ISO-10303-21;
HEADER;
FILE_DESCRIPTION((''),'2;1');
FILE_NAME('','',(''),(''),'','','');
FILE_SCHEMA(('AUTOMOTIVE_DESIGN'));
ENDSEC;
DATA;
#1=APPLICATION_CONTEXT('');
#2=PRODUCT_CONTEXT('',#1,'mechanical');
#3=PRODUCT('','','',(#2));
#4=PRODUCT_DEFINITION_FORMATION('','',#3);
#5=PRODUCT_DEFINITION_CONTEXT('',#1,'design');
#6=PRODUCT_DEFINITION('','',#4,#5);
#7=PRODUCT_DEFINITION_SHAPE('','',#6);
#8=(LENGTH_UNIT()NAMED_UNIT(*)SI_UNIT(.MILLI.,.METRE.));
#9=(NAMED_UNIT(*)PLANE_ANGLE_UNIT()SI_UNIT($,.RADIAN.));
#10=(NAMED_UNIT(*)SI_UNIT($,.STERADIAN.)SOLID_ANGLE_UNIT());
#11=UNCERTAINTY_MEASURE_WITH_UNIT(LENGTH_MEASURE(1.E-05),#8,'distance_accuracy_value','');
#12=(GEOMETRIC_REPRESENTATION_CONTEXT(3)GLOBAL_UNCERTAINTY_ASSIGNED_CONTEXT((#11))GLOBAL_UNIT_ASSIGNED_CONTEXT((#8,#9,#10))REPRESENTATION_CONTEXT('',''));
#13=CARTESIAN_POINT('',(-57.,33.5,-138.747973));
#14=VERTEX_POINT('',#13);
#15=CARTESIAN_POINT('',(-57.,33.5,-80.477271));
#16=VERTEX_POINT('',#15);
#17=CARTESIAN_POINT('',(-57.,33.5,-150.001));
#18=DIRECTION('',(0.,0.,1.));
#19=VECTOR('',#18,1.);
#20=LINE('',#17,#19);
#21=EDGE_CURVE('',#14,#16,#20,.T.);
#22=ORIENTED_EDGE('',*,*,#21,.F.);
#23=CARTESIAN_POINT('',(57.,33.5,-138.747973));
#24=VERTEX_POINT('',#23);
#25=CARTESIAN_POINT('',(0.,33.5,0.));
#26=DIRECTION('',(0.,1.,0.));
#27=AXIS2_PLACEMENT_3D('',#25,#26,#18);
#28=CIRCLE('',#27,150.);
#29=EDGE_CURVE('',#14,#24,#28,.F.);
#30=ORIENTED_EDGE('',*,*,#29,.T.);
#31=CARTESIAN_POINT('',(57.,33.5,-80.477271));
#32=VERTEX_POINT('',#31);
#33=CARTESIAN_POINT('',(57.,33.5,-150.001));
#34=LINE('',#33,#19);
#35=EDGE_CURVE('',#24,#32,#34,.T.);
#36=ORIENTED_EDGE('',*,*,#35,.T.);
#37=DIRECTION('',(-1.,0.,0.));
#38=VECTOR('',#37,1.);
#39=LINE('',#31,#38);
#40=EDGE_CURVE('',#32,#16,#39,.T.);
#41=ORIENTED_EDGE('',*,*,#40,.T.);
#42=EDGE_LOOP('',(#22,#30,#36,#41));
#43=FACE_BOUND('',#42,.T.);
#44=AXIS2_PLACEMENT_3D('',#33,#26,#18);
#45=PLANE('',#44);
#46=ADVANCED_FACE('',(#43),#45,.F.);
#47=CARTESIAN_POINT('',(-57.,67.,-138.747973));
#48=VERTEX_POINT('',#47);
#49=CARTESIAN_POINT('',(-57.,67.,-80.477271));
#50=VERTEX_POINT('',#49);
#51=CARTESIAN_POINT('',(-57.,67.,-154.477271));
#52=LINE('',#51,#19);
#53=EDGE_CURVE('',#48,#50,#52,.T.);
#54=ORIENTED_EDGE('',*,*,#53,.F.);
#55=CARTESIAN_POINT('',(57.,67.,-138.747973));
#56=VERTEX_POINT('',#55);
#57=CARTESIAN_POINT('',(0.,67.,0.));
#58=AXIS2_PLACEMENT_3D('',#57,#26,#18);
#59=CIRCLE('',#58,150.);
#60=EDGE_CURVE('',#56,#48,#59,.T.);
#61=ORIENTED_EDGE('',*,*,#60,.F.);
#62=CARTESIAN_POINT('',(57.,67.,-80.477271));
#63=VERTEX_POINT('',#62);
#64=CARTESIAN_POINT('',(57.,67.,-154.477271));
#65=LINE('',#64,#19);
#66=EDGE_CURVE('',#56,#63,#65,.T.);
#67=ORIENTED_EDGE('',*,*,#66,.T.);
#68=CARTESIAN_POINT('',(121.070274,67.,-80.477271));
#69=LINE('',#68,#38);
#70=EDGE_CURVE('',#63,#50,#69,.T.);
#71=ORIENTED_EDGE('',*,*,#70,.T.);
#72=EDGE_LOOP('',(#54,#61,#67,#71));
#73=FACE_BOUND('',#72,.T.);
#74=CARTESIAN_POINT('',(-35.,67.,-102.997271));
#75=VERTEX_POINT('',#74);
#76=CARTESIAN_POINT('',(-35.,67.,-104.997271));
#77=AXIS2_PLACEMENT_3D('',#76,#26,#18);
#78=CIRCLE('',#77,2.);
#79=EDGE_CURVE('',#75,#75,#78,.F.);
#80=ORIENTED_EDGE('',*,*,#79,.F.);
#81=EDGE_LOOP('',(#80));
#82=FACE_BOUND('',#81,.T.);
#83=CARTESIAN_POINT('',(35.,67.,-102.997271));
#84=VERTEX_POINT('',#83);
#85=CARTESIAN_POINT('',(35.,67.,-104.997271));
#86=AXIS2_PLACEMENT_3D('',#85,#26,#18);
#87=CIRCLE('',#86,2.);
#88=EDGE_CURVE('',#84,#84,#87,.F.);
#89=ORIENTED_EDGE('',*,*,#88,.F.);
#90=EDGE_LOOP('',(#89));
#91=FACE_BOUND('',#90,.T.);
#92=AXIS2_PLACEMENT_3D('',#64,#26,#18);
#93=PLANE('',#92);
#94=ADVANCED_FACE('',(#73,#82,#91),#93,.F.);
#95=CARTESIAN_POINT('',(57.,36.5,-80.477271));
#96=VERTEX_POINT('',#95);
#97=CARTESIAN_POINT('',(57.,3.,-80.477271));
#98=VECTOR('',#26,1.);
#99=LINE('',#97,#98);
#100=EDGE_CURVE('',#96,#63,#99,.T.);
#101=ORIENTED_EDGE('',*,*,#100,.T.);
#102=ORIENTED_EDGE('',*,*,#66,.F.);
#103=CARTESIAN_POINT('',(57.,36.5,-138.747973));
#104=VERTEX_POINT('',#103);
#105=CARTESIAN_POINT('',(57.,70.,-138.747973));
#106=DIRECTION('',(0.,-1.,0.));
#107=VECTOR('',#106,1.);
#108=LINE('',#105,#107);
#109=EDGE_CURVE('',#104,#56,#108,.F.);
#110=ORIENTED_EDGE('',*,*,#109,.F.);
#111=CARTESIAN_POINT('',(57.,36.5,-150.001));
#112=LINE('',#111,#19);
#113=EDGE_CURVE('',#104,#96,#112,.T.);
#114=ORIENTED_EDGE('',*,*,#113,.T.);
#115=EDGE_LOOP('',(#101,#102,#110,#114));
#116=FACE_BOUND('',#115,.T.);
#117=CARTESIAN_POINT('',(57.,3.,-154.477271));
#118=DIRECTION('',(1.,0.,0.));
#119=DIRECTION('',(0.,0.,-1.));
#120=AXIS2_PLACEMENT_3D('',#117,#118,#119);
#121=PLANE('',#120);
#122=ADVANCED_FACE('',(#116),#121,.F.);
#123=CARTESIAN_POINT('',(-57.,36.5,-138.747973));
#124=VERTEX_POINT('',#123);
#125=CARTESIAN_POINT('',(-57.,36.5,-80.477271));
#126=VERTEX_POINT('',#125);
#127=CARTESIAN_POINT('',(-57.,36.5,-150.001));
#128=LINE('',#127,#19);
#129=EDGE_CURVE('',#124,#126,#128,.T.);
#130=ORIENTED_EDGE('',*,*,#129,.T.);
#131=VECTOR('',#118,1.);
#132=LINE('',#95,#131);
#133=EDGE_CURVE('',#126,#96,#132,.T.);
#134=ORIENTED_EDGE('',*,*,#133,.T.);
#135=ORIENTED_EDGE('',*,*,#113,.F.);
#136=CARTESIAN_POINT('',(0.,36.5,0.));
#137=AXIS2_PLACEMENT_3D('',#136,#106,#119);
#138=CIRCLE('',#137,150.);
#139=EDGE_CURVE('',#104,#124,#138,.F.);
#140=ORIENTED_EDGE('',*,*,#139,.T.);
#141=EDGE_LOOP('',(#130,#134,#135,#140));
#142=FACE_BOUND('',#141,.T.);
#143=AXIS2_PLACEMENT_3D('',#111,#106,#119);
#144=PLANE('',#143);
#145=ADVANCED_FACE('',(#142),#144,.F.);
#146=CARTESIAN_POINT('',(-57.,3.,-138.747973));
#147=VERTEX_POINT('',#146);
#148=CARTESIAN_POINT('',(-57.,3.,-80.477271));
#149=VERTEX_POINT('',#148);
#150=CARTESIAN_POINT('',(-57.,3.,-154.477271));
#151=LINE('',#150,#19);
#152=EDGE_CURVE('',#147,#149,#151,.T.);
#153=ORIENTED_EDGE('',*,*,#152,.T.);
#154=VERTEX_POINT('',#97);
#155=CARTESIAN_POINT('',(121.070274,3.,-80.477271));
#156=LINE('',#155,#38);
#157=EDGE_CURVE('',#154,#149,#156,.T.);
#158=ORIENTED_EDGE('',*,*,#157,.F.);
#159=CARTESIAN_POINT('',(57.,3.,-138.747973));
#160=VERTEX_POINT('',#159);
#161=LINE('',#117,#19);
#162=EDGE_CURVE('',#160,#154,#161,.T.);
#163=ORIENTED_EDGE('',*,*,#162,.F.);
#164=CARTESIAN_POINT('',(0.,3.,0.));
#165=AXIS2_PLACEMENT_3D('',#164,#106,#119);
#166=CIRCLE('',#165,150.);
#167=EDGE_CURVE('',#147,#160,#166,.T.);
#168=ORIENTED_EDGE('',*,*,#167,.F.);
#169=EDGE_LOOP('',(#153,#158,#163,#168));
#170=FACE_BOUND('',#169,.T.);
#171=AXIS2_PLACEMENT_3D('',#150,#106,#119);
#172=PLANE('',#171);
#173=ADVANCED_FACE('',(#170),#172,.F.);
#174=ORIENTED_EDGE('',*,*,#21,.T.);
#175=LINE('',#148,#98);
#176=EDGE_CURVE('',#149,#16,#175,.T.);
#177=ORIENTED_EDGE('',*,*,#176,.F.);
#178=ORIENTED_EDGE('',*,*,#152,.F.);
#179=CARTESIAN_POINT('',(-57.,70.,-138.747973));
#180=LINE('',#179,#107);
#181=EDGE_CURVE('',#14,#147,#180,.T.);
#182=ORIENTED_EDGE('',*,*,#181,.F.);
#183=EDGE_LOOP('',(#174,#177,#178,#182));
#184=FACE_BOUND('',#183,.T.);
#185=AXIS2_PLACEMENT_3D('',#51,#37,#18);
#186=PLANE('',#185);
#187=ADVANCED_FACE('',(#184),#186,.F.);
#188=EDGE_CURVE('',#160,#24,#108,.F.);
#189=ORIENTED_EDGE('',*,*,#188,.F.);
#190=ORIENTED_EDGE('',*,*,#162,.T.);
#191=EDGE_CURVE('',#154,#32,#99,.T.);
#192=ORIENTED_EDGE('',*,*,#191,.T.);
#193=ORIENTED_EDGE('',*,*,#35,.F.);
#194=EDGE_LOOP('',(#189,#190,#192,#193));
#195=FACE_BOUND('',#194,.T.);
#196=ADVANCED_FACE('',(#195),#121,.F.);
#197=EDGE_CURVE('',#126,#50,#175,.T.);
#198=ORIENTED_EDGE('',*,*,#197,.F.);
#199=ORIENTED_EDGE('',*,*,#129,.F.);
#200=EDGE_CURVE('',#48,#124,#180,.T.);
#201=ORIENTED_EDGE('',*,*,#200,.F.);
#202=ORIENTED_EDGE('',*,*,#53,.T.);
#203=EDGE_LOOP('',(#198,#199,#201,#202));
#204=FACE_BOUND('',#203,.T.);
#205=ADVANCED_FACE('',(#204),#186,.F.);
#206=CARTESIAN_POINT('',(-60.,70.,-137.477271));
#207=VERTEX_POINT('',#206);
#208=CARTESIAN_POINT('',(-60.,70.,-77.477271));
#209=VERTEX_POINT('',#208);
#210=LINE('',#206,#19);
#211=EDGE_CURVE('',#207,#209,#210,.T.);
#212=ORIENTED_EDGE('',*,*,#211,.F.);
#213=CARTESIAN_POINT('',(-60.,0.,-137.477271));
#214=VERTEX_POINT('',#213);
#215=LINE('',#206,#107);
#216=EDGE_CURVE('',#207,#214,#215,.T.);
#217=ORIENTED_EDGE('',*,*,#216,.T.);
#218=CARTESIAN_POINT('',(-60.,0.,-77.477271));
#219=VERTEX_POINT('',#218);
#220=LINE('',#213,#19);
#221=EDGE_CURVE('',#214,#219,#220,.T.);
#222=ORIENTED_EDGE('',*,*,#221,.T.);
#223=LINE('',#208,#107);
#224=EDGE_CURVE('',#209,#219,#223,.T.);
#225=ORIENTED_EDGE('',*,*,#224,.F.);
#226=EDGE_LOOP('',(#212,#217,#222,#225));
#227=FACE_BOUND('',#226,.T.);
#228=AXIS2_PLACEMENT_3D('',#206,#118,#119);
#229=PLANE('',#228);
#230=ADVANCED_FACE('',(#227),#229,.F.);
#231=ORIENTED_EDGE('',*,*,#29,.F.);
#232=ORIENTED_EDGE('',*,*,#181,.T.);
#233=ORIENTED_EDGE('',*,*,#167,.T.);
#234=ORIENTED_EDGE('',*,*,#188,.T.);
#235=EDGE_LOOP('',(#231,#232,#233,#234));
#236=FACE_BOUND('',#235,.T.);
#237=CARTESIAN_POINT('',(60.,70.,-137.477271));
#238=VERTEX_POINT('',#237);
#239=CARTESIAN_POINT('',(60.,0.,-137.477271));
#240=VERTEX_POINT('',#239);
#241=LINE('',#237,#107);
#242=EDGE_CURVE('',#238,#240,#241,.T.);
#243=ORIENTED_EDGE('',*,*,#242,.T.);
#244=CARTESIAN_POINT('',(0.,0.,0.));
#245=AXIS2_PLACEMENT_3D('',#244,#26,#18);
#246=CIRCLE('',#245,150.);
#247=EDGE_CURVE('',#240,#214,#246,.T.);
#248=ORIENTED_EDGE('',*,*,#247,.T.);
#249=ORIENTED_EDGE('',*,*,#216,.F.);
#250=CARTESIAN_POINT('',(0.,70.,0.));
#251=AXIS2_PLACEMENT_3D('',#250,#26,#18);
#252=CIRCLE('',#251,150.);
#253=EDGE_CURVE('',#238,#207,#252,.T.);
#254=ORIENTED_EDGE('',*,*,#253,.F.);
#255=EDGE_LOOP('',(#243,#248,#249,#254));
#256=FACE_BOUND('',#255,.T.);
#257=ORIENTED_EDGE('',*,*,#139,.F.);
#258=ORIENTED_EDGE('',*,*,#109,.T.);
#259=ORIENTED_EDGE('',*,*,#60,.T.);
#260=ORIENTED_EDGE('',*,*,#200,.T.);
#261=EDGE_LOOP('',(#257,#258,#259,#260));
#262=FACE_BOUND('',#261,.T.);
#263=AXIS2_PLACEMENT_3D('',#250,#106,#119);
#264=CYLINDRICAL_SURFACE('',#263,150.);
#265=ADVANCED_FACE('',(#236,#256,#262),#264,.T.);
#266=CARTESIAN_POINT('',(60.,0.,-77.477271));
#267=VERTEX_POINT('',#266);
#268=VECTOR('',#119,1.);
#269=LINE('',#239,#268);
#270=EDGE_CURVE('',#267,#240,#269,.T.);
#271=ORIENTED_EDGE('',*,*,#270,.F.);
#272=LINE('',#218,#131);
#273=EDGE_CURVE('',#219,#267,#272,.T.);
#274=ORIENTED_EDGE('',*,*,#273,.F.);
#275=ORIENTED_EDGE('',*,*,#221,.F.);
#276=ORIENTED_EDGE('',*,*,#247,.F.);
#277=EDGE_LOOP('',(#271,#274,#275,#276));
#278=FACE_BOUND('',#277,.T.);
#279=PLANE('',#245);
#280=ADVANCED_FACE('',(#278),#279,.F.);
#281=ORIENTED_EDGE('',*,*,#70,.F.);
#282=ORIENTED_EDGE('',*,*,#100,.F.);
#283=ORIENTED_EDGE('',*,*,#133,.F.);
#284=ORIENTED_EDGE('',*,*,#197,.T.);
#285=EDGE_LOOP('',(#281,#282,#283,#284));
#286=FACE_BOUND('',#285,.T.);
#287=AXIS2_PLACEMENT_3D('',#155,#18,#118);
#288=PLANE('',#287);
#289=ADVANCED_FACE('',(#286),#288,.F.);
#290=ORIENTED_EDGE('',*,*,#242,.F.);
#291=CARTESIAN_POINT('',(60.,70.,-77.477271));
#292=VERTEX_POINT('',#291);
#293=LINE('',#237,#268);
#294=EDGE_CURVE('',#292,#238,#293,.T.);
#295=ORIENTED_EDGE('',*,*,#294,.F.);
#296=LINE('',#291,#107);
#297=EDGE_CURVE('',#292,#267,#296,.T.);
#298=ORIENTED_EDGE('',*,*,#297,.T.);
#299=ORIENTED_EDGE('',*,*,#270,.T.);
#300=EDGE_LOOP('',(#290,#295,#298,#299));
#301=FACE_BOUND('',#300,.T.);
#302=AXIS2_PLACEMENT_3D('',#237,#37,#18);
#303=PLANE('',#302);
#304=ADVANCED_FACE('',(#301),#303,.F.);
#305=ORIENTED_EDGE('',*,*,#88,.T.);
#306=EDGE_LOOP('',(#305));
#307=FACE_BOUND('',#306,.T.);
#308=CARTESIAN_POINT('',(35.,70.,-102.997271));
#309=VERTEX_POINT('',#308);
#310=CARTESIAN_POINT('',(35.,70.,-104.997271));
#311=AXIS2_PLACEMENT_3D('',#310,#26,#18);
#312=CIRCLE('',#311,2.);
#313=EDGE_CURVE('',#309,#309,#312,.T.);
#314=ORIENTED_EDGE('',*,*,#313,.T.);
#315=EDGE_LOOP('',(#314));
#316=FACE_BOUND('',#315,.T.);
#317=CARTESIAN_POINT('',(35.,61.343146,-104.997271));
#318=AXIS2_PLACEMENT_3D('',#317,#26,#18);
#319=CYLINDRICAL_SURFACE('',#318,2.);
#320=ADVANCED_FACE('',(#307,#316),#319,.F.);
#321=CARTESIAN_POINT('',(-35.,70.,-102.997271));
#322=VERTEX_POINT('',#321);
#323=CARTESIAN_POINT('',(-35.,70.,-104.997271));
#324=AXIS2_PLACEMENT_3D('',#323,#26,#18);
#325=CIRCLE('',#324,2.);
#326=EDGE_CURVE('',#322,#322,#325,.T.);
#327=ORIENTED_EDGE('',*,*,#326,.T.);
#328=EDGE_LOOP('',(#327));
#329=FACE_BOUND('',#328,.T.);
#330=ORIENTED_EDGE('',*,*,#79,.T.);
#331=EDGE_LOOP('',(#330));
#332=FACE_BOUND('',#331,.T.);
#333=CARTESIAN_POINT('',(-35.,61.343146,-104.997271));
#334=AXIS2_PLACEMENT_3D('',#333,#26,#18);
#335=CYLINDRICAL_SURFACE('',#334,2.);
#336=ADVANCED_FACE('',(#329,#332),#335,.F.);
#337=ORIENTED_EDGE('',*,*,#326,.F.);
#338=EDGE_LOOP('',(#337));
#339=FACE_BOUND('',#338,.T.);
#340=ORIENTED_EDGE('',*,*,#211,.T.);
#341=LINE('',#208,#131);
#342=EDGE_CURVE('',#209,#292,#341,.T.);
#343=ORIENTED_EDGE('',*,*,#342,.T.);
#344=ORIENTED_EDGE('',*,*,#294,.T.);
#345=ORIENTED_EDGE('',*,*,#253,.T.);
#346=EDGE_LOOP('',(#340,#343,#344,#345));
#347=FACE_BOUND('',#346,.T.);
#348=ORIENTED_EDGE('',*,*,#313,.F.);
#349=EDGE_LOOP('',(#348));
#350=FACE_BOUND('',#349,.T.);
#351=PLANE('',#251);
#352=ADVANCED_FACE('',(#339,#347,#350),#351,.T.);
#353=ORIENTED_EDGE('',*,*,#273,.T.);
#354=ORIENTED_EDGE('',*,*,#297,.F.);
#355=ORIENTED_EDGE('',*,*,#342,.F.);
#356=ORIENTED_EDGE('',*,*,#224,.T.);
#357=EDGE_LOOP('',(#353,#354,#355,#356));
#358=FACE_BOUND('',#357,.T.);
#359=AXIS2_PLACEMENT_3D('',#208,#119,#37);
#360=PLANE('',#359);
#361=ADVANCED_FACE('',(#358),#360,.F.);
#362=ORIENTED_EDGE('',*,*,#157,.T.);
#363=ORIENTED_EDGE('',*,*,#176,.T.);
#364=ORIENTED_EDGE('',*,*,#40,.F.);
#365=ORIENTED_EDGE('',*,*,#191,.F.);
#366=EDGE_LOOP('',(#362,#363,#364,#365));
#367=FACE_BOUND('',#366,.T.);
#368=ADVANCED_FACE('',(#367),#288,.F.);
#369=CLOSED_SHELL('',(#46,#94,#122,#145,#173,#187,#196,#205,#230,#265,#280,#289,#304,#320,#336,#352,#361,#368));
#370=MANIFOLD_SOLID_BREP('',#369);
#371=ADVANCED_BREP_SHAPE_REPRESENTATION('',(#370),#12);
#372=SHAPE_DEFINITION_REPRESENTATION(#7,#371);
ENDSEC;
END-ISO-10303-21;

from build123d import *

# Parameters (mm, degrees)
BOSS_EXTRUDE1_DEPTH      = 70
SKETCH7_W                = 114
SKETCH7_H                = 64
CUT_EXTRUDE2_DEPTH       = 77
SKETCH8_W                = 3
SKETCH8_H                = 64
BOSS_EXTRUDE3_DEPTH      = 114
BOSS_EXTRUDE4_REACH      = 117.47
BOSS_EXTRUDE4_END_RADIUS = 150
SKETCH9_W                = 114
SKETCH9_H                = 3
SKETCH10_R               = 2
CUT_EXTRUDE3_DEPTH       = 3


with BuildPart() as part:
    # Sketch1 → Boss-Extrude1 (new body)
    with BuildSketch(Plane(origin=(0, 0, 0), x_dir=(1, 0, 0), z_dir=(0, 1, 0))):
        with BuildLine():
            Line((-60, 137.477270849), (-60, 77.477270849))
            Line((-60, 77.477270849), (60, 77.477270849))
            Line((60, 77.477270849), (60, 137.477270849))
            ThreePointArc((60, 137.477270849), (0, 150), (-60, 137.477270849))
        make_face()
    extrude(amount=BOSS_EXTRUDE1_DEPTH)

    # Sketch7 → Cut-Extrude2 (cut)
    with BuildSketch(Plane.XY.offset(-77.477270849)):
        with Locations((0, 35)):
            Rectangle(SKETCH7_W, SKETCH7_H)
    extrude(amount=-CUT_EXTRUDE2_DEPTH, mode=Mode.SUBTRACT)

    # Sketch8 → Boss-Extrude3 (add)
    with BuildSketch(Plane(origin=(-57, 0, 0), x_dir=(0, 0, -1), z_dir=(1, 0, 0))):
        with Locations((78.977270849, 35)):
            Rectangle(SKETCH8_W, SKETCH8_H)
    extrude(amount=BOSS_EXTRUDE3_DEPTH)

    # Boss-Extrude4: up to this cylinder (the profile starts inside it)
    boss_extrude4_end = Plane(origin=(0, 35, 0), z_dir=(0, -1, 0)) * Cylinder(BOSS_EXTRUDE4_END_RADIUS, 535.94, mode=Mode.PRIVATE)
    # Sketch9 → Boss-Extrude4 (add, up to the surface)
    with BuildSketch(Plane(origin=(0, 0, -80.477270849), x_dir=(-1, 0, 0), z_dir=(0, 0, -1)), mode=Mode.PRIVATE) as boss_extrude4_sk1:
        with Locations((0, 35)):
            Rectangle(SKETCH9_W, SKETCH9_H)
    boss_extrude4_tool1 = extrude(boss_extrude4_sk1.sketch, amount=BOSS_EXTRUDE4_REACH, mode=Mode.PRIVATE) & boss_extrude4_end
    add(boss_extrude4_tool1.solids().sort_by_distance((0, 35, -80.477271))[0])

    # Sketch10 → Cut-Extrude3 (cut)
    with BuildSketch(Plane(origin=(0, 70, 0), x_dir=(1, 0, 0), z_dir=(0, 1, 0))):
        with Locations(Location((-35, 104.997270849, 0), (0, 0, 270))):
            Circle(SKETCH10_R)
        with Locations(Location((35, 104.997270849, 0), (0, 0, 270))):
            Circle(SKETCH10_R)
    extrude(amount=-CUT_EXTRUDE3_DEPTH, mode=Mode.SUBTRACT)


solid = part.part
